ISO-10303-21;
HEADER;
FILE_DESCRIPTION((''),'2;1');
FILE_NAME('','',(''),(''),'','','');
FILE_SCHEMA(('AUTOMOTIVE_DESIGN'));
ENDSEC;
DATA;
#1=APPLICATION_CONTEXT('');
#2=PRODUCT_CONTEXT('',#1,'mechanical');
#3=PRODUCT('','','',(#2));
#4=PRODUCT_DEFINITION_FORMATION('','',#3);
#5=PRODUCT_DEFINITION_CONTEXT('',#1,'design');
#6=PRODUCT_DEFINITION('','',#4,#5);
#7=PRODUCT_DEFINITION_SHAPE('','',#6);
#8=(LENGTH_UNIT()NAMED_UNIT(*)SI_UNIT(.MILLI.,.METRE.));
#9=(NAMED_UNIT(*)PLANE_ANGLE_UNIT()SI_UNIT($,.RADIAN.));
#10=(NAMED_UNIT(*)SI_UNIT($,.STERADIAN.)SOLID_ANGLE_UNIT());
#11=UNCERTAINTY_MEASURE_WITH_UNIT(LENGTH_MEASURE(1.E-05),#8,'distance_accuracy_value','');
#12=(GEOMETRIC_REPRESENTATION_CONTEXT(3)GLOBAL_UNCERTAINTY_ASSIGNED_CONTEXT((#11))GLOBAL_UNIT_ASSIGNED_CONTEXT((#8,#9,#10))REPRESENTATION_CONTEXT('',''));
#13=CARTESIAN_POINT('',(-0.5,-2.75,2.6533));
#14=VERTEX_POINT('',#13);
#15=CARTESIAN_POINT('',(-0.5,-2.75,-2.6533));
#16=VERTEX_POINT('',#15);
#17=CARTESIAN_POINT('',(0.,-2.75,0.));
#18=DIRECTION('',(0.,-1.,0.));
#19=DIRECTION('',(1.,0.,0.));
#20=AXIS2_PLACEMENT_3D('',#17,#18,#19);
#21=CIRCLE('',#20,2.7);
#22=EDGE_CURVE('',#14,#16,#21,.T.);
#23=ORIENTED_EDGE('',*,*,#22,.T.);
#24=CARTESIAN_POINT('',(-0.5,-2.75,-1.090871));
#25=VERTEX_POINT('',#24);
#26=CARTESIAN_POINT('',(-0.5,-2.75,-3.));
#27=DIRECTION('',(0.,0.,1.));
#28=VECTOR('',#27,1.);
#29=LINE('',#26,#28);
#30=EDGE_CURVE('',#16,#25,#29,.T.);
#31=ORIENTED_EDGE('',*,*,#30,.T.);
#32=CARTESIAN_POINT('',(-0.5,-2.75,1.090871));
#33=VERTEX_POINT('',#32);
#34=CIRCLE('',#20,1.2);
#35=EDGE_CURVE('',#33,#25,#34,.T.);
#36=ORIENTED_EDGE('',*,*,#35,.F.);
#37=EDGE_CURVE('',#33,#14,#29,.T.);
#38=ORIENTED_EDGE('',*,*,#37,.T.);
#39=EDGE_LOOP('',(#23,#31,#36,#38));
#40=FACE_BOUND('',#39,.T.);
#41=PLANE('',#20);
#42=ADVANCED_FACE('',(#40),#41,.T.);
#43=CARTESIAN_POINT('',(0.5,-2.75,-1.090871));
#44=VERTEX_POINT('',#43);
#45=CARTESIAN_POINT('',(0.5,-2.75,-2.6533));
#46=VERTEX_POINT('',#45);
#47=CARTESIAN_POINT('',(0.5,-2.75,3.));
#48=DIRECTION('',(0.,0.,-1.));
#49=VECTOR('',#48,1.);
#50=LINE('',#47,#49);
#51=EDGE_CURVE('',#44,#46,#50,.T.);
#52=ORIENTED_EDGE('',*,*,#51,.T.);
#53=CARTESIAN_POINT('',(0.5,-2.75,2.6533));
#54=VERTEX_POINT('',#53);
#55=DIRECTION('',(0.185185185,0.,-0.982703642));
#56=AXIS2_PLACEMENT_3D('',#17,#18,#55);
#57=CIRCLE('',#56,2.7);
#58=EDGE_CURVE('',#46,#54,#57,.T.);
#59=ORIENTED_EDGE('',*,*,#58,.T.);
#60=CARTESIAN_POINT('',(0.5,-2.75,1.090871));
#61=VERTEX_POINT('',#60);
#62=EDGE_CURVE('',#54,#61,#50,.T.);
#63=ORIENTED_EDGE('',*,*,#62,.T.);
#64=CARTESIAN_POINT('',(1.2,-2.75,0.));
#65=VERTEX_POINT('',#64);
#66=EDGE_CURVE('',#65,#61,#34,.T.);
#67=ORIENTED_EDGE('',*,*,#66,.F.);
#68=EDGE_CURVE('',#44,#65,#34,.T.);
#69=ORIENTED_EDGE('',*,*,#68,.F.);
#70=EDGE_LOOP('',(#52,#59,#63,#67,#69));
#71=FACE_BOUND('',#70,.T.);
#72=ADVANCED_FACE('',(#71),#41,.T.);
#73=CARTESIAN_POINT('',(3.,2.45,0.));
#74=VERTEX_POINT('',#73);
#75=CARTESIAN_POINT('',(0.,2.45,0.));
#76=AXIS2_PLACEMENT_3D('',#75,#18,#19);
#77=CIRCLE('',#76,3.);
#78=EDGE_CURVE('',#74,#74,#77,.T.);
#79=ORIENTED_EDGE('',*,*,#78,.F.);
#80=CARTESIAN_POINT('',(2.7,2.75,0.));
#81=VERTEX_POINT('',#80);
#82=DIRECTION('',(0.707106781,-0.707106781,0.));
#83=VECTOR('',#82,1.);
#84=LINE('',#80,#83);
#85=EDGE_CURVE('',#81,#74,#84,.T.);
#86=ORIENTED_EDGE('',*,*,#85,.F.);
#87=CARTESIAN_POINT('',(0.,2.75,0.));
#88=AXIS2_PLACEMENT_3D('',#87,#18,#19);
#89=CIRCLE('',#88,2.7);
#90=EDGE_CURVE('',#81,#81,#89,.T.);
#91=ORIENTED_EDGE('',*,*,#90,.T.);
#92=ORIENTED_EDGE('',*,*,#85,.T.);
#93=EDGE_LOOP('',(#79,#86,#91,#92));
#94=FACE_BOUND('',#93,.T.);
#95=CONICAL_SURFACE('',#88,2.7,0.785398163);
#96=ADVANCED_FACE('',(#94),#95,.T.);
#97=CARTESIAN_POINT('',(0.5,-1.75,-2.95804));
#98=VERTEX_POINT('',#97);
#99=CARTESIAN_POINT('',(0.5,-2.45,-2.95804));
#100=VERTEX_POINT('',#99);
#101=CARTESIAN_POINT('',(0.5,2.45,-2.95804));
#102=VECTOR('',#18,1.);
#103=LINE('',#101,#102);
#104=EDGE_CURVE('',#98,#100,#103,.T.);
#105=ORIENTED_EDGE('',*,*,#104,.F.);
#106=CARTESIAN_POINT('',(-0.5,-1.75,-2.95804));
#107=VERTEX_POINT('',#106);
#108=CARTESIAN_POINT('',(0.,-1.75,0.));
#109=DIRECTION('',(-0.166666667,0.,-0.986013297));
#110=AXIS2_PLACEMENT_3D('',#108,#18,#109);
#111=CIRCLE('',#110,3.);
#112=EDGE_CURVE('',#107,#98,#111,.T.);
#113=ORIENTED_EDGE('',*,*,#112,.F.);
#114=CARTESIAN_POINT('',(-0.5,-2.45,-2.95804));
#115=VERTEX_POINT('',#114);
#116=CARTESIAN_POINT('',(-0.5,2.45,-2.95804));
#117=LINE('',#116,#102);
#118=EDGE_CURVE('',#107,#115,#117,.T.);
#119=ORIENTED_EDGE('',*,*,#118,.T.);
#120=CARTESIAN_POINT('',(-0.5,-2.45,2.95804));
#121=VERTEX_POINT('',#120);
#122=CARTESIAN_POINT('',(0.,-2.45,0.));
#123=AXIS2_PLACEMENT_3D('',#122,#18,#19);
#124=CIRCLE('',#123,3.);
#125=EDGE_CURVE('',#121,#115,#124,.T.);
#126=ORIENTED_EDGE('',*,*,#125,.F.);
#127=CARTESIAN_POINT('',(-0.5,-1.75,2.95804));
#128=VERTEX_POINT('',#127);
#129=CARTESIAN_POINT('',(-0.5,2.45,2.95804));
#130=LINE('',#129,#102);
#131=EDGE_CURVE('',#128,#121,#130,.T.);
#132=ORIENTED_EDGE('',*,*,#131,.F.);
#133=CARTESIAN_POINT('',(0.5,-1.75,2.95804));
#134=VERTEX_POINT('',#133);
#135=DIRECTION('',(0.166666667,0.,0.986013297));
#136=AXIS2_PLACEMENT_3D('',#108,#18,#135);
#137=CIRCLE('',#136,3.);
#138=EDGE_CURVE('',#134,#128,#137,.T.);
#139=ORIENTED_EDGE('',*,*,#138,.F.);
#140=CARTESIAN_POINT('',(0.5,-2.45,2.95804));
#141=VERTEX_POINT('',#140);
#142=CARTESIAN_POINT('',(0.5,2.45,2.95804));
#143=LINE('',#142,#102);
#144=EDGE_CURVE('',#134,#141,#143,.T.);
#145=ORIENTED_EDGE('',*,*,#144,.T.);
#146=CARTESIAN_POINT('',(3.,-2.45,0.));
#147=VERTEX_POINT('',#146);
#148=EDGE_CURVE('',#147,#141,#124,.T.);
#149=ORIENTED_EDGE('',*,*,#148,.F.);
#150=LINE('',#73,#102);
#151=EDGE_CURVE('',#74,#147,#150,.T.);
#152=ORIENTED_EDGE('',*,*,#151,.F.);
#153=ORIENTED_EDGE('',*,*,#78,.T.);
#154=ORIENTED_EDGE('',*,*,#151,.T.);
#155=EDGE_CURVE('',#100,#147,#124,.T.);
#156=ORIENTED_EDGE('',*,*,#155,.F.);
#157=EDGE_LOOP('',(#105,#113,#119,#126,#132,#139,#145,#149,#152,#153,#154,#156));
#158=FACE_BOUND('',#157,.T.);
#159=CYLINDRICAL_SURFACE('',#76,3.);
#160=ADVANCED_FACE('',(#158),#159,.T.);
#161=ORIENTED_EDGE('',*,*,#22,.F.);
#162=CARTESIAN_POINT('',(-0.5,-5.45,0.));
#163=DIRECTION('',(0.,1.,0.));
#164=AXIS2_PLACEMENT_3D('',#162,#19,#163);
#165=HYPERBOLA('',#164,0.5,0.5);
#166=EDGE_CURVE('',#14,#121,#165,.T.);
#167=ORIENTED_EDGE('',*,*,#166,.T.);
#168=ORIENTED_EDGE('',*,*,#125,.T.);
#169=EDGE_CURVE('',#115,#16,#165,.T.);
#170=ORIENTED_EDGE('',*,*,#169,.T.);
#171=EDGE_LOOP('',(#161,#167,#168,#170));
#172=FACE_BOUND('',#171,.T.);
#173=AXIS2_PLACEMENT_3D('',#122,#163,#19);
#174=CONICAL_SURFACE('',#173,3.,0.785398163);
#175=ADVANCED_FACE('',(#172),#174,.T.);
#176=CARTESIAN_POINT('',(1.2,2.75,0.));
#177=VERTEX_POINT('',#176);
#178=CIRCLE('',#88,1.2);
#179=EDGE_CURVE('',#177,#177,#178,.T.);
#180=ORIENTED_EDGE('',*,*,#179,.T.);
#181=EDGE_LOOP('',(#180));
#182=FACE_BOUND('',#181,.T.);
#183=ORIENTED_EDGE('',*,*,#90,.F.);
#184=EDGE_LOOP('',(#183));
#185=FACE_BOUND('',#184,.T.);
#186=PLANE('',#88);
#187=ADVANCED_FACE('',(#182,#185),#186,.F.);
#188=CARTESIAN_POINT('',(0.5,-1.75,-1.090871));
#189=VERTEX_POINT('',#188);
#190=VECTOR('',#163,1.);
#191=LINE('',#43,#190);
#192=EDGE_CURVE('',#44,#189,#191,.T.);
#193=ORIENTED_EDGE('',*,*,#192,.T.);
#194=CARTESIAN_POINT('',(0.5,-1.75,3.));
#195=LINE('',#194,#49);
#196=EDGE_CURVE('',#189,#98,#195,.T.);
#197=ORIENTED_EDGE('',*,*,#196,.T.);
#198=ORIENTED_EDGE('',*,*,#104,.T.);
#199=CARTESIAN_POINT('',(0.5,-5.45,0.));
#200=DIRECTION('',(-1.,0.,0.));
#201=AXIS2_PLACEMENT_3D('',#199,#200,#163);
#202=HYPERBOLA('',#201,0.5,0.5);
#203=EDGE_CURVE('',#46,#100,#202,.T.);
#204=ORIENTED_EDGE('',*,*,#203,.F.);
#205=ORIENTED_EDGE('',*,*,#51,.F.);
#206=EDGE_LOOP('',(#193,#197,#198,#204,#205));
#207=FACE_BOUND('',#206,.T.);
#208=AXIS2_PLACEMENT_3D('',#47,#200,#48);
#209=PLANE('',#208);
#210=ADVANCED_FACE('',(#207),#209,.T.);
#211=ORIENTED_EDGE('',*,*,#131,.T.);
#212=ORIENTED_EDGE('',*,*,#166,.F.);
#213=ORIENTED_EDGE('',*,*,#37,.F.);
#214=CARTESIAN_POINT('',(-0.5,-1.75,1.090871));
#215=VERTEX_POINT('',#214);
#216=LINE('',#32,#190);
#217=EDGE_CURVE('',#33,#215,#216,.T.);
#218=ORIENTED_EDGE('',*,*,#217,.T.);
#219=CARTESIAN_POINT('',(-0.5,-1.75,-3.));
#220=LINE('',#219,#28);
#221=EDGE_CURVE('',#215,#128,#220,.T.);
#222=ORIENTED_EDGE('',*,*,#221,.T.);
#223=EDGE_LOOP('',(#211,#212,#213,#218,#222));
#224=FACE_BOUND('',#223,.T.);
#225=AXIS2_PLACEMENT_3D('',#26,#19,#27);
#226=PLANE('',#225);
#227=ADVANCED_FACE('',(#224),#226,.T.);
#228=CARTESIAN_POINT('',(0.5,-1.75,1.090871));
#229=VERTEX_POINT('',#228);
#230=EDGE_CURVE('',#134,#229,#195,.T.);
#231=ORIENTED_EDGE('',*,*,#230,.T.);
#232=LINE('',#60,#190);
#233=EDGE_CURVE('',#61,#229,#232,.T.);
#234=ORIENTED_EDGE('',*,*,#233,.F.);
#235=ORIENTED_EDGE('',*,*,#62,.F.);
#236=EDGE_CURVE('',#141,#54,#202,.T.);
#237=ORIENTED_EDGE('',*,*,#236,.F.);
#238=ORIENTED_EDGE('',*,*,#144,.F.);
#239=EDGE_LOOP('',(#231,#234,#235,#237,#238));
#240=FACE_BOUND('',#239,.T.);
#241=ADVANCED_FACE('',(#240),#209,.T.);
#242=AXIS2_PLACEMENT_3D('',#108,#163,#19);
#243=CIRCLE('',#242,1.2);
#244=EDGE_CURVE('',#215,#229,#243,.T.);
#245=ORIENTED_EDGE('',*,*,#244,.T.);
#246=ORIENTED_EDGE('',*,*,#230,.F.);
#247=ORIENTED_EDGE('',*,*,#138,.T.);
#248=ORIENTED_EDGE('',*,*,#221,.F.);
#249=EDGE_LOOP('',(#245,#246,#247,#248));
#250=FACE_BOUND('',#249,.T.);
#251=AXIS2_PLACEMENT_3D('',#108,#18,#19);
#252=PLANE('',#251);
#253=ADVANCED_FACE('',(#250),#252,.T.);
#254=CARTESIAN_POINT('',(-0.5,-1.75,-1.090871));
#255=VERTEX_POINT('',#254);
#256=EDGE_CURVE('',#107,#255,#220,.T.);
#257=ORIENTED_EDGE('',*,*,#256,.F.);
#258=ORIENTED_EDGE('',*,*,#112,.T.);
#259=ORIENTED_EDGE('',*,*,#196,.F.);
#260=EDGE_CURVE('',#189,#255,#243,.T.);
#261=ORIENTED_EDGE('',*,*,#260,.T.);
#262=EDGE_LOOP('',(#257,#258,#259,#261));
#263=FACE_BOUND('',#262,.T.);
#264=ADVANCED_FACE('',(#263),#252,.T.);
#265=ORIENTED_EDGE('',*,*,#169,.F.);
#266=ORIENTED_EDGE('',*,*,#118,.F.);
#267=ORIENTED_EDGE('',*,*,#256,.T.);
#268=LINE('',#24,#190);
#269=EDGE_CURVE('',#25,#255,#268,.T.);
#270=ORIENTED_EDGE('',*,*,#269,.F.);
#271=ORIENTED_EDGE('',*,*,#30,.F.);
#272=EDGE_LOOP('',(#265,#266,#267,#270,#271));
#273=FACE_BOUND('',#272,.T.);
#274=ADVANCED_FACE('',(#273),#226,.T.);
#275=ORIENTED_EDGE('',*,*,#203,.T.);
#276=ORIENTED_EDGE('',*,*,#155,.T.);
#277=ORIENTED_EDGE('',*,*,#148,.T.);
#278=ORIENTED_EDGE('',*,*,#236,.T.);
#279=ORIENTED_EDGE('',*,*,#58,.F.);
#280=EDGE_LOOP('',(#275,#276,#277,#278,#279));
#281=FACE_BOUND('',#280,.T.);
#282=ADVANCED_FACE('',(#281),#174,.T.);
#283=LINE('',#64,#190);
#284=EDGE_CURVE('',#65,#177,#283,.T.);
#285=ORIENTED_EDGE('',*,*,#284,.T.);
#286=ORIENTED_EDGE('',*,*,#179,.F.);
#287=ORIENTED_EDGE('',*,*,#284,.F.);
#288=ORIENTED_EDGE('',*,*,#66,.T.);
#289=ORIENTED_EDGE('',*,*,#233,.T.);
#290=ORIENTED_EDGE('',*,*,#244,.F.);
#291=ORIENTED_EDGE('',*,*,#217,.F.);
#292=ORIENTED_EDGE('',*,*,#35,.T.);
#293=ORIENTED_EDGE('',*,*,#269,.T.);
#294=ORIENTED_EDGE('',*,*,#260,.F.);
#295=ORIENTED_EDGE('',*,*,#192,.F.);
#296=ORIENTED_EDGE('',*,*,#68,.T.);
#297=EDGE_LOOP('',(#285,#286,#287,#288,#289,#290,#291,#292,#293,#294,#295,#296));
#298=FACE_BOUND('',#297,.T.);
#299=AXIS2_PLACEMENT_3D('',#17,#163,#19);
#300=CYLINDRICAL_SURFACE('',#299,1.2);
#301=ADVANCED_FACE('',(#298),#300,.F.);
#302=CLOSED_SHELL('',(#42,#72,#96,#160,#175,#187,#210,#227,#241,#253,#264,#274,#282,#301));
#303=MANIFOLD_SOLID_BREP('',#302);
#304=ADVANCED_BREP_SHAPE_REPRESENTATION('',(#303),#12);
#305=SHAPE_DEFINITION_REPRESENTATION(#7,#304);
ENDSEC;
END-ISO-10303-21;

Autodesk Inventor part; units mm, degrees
ref_plane "YZ Plane" through (0, 0, 0) normal (1, 0, 0) x (0, 1, 0)
ref_plane "XZ Plane" through (0, 0, 0) normal (0, 1, 0) x (-1, 0, 0)
ref_plane "XY Plane" through (0, 0, 0) normal (0, 0, 1) x (1, 0, 0)
sketch "スケッチ1" plane through (0, 0, 0) normal (0, 0, 1) x (1, 0, 0)
  line L0 (1.2, -2.75) -> (1.2, 2.75)
  line L1 (1.2, 2.75) -> (2.7, 2.75)
  line L2 (2.7, 2.75) -> (3, 2.45)
  line L3 (3, 2.45) -> (3, -2.45)
  line L4 (0, 6.6667) -> (0, -6.6667) construction
  line L5 (3, -2.45) -> (2.7, -2.75)
  line L6 (2.7, -2.75) -> (1.2, -2.75)
  point P0 (0, 0)
  point P1 (0, 0)
  point P2 (1.2, 0)
  point P3 (3, 0)
  dimension "d0" = 6
  dimension "d1" = 2.4
  dimension "d3" = 5.5
  dimension "d4" = 0.3
  dimension "d5" = 0.3
revolve "回転1" add sketch "スケッチ1" angle 360 about axis through (0, 6.6667, 0) along (0, -1, 0)
sketch "スケッチ2" plane through (0, -2.75, 0) normal (0, -1, 0) x (1, 0, 0)
  line L0 (-0.5, 3) -> (0.5, 3)
  line L1 (0.5, 3) -> (0.5, -3)
  line L2 (0.5, -3) -> (-0.5, -3)
  line L3 (-0.5, -3) -> (-0.5, 3)
  line L4 (-0.5, 3) -> (0.5, -3) construction
  line L5 (0.5, 3) -> (-0.5, -3) construction
  point P0 (0, 0)
  dimension "d7" = 1
  dimension "d8" = 6
extrude "押し出し1" cut sketch "スケッチ2" against normal blind 1
equation "\"d5\" = d4"
properties part number "ARU-304S" material "ステンレス鋼 440C"
